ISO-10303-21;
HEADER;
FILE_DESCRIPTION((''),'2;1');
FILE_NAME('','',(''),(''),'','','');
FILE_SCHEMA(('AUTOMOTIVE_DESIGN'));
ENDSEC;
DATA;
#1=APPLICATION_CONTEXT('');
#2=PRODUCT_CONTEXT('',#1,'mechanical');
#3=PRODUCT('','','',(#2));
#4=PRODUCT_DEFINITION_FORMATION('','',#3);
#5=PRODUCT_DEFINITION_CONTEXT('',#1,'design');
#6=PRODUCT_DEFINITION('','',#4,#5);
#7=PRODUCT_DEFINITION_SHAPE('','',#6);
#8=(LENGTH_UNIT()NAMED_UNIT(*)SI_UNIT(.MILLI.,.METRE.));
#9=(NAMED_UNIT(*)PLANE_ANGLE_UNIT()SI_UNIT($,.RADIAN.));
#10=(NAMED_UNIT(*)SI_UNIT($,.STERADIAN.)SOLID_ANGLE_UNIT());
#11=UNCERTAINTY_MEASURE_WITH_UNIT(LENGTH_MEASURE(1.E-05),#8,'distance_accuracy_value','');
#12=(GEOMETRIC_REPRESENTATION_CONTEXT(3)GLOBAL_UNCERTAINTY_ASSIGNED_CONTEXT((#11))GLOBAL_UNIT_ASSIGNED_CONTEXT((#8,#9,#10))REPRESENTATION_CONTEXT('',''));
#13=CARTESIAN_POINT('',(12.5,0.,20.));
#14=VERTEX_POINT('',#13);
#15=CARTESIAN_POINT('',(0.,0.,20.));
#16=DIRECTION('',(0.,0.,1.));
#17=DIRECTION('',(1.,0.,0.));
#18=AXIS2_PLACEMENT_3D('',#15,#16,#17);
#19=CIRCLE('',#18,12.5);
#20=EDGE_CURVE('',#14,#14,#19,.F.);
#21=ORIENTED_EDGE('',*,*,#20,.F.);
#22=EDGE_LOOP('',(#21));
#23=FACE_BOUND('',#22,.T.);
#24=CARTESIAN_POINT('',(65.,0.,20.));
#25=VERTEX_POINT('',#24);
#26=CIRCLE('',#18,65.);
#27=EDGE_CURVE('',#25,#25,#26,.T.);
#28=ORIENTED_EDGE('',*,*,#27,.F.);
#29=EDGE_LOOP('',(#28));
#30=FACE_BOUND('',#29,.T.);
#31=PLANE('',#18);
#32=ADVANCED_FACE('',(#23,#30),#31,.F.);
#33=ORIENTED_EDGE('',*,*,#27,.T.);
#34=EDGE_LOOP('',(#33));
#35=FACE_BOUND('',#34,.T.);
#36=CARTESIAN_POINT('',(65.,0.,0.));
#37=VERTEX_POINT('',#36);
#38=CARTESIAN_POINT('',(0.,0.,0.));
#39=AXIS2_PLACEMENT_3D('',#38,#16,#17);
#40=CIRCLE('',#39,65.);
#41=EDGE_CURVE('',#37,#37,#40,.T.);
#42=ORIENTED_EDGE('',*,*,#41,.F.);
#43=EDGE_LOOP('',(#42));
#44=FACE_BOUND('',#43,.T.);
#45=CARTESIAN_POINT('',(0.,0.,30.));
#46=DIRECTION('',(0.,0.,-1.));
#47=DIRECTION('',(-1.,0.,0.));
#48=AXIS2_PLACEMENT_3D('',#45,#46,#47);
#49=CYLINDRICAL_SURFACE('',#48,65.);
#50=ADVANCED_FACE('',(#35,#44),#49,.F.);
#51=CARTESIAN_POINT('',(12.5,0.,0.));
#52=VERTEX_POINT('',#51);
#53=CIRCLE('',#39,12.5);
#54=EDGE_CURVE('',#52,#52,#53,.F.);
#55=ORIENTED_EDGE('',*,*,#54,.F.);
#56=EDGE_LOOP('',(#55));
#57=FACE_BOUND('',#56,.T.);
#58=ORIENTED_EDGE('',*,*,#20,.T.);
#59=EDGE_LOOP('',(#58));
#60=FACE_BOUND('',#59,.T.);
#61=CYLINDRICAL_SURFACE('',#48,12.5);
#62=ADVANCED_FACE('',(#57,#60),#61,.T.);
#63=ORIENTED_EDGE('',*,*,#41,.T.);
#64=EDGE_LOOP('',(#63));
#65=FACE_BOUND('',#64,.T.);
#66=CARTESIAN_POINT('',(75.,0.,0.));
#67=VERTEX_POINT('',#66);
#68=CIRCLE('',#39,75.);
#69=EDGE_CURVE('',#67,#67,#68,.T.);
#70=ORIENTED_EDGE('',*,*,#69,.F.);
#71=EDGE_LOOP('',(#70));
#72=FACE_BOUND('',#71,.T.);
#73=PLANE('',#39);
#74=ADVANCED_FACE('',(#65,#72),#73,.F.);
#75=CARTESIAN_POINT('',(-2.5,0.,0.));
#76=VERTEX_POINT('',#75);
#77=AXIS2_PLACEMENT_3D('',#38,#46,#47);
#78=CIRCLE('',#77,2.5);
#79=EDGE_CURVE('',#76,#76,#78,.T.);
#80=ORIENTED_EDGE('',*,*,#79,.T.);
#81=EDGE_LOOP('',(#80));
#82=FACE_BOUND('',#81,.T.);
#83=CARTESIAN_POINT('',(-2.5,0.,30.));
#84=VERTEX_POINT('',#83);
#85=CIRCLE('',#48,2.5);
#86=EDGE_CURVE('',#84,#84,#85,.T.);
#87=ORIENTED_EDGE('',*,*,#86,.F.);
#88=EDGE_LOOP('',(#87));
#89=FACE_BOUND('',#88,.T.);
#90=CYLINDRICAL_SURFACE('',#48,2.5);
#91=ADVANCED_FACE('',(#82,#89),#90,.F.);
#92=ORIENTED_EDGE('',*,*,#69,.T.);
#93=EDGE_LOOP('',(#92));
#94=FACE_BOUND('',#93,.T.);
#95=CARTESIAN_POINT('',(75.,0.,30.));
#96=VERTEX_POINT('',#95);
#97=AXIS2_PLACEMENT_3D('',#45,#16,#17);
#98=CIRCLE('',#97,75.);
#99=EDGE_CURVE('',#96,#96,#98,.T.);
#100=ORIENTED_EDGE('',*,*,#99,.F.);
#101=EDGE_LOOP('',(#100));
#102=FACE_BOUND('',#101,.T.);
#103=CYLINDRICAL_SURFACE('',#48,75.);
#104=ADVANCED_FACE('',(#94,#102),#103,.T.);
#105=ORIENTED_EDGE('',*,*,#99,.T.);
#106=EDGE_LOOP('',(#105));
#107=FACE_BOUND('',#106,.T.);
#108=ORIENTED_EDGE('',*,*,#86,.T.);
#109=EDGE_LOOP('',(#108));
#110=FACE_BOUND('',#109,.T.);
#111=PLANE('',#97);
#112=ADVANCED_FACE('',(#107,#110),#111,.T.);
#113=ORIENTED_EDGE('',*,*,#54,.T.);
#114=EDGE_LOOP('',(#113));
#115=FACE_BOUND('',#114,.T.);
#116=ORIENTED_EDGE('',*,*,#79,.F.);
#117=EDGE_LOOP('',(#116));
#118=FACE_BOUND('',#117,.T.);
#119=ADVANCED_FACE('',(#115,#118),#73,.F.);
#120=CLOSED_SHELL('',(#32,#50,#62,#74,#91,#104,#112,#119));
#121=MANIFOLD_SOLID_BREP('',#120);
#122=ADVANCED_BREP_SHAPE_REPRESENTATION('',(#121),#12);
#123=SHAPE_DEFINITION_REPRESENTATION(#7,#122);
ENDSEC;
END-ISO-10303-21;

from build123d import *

# Parameters (mm, degrees)
SKETCH1_R           = 75
BOSS_EXTRUDE1_DEPTH = 30
SKETCH2_R           = 2.5
CUT_EXTRUDE1_DEPTH  = 31
SHELL1_T            = -10


with BuildPart() as part:
    # Sketch1 → Boss-Extrude1 (new body)
    with BuildSketch(Plane.XY):
        Circle(SKETCH1_R)
    extrude(amount=BOSS_EXTRUDE1_DEPTH)

    # Sketch2 → Cut-Extrude1 (cut, through all)
    with BuildSketch(Plane(origin=(0, 0, 0), x_dir=(-1, 0, 0), z_dir=(0, 0, -1))):
        Circle(SKETCH2_R)
    extrude(amount=-CUT_EXTRUDE1_DEPTH, mode=Mode.SUBTRACT)

    # Shell1
    shell1_openings = [part.faces().sort_by_distance(p)[0] for p in [
        (-2.5, 0, 0),
    ]]
    offset(amount=SHELL1_T, openings=shell1_openings, kind=Kind.INTERSECTION)


solid = part.part
